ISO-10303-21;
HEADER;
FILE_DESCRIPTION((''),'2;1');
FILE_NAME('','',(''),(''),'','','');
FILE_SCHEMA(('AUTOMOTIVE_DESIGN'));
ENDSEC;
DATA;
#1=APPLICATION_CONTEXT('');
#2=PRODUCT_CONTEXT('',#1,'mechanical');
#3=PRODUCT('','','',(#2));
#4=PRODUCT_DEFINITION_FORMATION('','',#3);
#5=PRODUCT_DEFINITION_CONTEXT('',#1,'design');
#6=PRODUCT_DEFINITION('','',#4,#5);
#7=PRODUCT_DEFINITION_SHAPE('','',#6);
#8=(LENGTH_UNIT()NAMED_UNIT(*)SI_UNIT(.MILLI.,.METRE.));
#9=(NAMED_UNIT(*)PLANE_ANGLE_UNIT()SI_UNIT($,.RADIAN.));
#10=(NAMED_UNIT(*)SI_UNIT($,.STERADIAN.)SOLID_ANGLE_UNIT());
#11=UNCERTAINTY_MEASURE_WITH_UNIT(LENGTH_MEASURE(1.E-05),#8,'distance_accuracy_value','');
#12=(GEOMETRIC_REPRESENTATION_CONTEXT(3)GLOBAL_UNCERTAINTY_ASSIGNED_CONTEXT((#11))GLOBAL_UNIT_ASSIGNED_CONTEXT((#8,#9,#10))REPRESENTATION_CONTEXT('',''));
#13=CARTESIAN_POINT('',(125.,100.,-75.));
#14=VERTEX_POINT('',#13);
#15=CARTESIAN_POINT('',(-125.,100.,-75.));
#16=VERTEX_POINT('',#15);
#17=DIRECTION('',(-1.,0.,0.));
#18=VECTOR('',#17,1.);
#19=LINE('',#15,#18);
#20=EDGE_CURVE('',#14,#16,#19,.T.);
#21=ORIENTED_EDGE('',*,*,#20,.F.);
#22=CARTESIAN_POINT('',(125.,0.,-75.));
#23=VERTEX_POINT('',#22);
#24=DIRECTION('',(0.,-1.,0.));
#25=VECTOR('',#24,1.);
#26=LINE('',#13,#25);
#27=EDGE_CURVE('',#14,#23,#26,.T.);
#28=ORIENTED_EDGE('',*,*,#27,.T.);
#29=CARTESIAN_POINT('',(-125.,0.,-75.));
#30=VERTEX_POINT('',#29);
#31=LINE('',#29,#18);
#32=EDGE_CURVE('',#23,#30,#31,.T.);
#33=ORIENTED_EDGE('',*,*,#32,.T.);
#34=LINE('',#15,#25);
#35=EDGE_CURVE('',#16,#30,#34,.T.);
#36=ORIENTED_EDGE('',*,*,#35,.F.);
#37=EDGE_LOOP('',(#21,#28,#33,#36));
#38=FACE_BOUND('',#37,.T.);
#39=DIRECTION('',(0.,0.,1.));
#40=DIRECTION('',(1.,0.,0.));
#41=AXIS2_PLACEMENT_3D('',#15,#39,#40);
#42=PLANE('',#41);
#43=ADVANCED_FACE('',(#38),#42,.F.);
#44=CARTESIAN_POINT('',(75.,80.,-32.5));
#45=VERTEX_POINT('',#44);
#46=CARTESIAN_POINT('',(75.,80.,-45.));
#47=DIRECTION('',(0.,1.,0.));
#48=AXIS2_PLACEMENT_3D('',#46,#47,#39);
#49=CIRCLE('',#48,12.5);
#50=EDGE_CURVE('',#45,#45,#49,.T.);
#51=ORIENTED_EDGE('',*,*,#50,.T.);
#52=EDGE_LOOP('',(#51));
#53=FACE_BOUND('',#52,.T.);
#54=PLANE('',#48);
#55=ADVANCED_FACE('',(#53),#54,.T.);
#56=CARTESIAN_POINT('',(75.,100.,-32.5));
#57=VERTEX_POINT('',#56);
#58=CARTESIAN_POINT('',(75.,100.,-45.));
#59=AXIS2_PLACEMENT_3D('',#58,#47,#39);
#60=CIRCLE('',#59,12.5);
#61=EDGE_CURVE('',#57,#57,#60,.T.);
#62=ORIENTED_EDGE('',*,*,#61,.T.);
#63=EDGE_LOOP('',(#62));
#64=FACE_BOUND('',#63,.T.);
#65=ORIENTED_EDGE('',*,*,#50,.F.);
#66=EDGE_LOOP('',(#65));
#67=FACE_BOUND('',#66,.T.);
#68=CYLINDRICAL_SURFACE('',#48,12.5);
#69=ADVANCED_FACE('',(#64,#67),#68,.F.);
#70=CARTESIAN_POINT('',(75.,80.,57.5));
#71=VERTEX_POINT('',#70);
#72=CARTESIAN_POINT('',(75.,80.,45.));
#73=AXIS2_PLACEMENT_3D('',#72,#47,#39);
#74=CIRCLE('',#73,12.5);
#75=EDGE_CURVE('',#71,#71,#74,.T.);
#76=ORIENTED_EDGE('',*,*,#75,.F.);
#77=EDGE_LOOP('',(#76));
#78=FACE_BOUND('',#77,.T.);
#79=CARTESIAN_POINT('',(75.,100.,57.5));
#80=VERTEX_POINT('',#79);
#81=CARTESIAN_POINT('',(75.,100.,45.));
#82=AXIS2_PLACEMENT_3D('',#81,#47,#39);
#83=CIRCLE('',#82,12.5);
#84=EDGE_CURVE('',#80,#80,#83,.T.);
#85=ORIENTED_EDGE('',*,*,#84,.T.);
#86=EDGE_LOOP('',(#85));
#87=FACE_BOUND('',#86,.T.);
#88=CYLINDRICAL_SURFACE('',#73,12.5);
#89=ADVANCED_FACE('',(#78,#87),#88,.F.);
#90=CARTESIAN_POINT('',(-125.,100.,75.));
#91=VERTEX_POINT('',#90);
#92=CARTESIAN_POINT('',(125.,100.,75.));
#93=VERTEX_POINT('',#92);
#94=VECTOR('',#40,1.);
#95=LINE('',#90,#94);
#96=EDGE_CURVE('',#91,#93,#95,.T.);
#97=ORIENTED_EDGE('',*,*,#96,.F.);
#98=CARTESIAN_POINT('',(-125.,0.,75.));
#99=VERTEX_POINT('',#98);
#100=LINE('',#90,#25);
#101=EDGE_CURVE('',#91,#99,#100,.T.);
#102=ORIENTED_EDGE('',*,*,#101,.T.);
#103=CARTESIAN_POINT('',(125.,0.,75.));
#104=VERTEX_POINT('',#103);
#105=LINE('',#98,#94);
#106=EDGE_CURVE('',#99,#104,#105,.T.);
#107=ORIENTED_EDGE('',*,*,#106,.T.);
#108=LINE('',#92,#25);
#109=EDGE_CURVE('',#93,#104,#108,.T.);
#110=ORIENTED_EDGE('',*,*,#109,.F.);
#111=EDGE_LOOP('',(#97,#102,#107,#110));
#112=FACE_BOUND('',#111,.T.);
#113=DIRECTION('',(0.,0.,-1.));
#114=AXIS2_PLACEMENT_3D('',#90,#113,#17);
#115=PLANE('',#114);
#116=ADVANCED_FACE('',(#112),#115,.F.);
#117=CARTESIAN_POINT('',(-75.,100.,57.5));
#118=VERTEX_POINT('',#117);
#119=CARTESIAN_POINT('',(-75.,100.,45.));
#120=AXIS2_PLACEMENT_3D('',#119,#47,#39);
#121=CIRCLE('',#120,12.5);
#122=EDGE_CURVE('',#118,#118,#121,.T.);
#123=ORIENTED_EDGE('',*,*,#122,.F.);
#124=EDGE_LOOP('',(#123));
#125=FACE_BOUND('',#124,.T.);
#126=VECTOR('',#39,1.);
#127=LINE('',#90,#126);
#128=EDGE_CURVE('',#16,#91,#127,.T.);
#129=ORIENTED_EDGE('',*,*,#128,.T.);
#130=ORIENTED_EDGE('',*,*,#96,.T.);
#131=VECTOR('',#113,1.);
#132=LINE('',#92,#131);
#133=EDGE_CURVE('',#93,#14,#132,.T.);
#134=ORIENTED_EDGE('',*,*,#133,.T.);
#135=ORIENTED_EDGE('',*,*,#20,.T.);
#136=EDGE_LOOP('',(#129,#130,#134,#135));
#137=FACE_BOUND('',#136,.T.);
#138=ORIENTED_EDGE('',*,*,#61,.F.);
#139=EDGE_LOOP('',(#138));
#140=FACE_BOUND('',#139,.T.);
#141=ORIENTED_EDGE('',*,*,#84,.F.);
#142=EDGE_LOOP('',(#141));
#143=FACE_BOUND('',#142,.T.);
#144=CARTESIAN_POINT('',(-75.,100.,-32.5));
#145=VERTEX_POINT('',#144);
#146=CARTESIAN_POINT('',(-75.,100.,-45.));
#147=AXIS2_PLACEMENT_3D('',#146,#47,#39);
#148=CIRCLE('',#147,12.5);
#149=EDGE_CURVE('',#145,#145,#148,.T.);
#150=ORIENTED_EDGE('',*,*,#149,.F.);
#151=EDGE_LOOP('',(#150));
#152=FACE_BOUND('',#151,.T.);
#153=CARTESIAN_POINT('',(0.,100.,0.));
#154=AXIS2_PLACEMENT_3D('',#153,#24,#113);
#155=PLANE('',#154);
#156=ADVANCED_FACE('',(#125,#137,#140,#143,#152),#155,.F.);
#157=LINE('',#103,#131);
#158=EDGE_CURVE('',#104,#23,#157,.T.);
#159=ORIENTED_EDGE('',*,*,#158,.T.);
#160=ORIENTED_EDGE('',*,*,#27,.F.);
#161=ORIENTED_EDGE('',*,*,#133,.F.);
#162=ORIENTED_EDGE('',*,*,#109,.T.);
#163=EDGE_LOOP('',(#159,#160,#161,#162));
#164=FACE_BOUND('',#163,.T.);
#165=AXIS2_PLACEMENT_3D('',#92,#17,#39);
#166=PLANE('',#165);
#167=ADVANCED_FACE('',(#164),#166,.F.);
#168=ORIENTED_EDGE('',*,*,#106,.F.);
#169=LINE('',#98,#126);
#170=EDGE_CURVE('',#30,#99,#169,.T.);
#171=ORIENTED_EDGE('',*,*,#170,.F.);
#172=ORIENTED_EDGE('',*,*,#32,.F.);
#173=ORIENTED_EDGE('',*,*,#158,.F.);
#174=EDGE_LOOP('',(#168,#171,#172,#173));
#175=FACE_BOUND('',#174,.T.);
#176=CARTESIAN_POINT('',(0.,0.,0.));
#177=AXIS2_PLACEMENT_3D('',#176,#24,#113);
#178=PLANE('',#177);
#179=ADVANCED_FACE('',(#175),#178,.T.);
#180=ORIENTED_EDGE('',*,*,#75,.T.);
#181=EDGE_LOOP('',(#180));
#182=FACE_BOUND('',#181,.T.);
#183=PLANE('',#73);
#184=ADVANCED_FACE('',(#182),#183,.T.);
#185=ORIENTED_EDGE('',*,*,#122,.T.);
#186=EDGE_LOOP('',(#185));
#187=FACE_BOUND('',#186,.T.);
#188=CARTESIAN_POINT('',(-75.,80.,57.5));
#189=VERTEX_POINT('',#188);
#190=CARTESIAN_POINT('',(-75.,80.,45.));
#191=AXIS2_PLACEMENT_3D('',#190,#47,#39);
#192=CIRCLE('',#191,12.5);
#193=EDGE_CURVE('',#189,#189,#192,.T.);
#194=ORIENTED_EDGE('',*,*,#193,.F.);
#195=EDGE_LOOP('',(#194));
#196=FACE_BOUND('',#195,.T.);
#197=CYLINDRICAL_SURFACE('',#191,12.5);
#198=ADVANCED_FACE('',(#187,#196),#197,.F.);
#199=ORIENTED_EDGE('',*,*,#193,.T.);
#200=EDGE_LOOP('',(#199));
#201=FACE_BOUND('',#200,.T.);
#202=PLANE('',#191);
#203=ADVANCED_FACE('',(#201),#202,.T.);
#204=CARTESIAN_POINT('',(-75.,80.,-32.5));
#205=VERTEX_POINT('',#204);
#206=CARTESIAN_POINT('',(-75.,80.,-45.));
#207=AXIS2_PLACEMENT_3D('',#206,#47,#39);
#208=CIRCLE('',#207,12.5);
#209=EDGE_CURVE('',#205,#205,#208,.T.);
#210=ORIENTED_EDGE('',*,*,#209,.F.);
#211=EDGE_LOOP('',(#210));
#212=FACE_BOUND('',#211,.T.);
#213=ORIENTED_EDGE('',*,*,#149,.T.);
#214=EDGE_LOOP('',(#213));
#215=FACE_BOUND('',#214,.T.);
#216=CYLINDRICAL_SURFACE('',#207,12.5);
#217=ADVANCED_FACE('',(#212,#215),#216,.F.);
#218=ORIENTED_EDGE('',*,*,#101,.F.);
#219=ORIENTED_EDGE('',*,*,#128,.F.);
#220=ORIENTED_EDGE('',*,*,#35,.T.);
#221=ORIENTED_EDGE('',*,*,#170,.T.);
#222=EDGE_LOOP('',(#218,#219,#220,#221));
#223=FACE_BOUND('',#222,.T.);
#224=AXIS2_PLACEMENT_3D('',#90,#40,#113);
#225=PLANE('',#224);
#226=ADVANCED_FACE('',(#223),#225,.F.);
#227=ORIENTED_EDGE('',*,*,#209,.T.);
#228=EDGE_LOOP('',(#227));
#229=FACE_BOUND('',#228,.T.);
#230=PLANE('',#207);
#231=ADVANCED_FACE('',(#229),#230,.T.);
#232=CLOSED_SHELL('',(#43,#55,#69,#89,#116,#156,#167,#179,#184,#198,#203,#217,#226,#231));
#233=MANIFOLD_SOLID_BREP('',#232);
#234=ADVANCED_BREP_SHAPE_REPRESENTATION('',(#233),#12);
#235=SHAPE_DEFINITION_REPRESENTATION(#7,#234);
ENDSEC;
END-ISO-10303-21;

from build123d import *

# Parameters (mm, degrees)
SKETCH_1_W          = 250
SKETCH_1_H          = 150
EXTRUDE_2_DEPTH     = 100
SKETCH_3_R          = 12.5
CUT_EXTRUDE_1_DEPTH = 20


with BuildPart() as part:
    # 草图1 → 凸台-拉伸2 (new body)
    with BuildSketch(Plane(origin=(0, 0, 0), x_dir=(1, 0, 0), z_dir=(0, 1, 0))):
        Rectangle(SKETCH_1_W, SKETCH_1_H)
    extrude(amount=EXTRUDE_2_DEPTH)

    # 草图3 → 切除-拉伸1 (cut)
    with BuildSketch(Plane(origin=(0, 100, 0), x_dir=(1, 0, 0), z_dir=(0, 1, 0))):
        with Locations(Location((-75, 45, 0), (0, 0, 270))):
            Circle(SKETCH_3_R)
        with Locations(Location((75, 45, 0), (0, 0, 270))):
            Circle(SKETCH_3_R)
        with Locations(Location((75, -45, 0), (0, 0, 270))):
            Circle(SKETCH_3_R)
        with Locations(Location((-75, -45, 0), (0, 0, 270))):
            Circle(SKETCH_3_R)
    extrude(amount=-CUT_EXTRUDE_1_DEPTH, mode=Mode.SUBTRACT)


solid = part.part
